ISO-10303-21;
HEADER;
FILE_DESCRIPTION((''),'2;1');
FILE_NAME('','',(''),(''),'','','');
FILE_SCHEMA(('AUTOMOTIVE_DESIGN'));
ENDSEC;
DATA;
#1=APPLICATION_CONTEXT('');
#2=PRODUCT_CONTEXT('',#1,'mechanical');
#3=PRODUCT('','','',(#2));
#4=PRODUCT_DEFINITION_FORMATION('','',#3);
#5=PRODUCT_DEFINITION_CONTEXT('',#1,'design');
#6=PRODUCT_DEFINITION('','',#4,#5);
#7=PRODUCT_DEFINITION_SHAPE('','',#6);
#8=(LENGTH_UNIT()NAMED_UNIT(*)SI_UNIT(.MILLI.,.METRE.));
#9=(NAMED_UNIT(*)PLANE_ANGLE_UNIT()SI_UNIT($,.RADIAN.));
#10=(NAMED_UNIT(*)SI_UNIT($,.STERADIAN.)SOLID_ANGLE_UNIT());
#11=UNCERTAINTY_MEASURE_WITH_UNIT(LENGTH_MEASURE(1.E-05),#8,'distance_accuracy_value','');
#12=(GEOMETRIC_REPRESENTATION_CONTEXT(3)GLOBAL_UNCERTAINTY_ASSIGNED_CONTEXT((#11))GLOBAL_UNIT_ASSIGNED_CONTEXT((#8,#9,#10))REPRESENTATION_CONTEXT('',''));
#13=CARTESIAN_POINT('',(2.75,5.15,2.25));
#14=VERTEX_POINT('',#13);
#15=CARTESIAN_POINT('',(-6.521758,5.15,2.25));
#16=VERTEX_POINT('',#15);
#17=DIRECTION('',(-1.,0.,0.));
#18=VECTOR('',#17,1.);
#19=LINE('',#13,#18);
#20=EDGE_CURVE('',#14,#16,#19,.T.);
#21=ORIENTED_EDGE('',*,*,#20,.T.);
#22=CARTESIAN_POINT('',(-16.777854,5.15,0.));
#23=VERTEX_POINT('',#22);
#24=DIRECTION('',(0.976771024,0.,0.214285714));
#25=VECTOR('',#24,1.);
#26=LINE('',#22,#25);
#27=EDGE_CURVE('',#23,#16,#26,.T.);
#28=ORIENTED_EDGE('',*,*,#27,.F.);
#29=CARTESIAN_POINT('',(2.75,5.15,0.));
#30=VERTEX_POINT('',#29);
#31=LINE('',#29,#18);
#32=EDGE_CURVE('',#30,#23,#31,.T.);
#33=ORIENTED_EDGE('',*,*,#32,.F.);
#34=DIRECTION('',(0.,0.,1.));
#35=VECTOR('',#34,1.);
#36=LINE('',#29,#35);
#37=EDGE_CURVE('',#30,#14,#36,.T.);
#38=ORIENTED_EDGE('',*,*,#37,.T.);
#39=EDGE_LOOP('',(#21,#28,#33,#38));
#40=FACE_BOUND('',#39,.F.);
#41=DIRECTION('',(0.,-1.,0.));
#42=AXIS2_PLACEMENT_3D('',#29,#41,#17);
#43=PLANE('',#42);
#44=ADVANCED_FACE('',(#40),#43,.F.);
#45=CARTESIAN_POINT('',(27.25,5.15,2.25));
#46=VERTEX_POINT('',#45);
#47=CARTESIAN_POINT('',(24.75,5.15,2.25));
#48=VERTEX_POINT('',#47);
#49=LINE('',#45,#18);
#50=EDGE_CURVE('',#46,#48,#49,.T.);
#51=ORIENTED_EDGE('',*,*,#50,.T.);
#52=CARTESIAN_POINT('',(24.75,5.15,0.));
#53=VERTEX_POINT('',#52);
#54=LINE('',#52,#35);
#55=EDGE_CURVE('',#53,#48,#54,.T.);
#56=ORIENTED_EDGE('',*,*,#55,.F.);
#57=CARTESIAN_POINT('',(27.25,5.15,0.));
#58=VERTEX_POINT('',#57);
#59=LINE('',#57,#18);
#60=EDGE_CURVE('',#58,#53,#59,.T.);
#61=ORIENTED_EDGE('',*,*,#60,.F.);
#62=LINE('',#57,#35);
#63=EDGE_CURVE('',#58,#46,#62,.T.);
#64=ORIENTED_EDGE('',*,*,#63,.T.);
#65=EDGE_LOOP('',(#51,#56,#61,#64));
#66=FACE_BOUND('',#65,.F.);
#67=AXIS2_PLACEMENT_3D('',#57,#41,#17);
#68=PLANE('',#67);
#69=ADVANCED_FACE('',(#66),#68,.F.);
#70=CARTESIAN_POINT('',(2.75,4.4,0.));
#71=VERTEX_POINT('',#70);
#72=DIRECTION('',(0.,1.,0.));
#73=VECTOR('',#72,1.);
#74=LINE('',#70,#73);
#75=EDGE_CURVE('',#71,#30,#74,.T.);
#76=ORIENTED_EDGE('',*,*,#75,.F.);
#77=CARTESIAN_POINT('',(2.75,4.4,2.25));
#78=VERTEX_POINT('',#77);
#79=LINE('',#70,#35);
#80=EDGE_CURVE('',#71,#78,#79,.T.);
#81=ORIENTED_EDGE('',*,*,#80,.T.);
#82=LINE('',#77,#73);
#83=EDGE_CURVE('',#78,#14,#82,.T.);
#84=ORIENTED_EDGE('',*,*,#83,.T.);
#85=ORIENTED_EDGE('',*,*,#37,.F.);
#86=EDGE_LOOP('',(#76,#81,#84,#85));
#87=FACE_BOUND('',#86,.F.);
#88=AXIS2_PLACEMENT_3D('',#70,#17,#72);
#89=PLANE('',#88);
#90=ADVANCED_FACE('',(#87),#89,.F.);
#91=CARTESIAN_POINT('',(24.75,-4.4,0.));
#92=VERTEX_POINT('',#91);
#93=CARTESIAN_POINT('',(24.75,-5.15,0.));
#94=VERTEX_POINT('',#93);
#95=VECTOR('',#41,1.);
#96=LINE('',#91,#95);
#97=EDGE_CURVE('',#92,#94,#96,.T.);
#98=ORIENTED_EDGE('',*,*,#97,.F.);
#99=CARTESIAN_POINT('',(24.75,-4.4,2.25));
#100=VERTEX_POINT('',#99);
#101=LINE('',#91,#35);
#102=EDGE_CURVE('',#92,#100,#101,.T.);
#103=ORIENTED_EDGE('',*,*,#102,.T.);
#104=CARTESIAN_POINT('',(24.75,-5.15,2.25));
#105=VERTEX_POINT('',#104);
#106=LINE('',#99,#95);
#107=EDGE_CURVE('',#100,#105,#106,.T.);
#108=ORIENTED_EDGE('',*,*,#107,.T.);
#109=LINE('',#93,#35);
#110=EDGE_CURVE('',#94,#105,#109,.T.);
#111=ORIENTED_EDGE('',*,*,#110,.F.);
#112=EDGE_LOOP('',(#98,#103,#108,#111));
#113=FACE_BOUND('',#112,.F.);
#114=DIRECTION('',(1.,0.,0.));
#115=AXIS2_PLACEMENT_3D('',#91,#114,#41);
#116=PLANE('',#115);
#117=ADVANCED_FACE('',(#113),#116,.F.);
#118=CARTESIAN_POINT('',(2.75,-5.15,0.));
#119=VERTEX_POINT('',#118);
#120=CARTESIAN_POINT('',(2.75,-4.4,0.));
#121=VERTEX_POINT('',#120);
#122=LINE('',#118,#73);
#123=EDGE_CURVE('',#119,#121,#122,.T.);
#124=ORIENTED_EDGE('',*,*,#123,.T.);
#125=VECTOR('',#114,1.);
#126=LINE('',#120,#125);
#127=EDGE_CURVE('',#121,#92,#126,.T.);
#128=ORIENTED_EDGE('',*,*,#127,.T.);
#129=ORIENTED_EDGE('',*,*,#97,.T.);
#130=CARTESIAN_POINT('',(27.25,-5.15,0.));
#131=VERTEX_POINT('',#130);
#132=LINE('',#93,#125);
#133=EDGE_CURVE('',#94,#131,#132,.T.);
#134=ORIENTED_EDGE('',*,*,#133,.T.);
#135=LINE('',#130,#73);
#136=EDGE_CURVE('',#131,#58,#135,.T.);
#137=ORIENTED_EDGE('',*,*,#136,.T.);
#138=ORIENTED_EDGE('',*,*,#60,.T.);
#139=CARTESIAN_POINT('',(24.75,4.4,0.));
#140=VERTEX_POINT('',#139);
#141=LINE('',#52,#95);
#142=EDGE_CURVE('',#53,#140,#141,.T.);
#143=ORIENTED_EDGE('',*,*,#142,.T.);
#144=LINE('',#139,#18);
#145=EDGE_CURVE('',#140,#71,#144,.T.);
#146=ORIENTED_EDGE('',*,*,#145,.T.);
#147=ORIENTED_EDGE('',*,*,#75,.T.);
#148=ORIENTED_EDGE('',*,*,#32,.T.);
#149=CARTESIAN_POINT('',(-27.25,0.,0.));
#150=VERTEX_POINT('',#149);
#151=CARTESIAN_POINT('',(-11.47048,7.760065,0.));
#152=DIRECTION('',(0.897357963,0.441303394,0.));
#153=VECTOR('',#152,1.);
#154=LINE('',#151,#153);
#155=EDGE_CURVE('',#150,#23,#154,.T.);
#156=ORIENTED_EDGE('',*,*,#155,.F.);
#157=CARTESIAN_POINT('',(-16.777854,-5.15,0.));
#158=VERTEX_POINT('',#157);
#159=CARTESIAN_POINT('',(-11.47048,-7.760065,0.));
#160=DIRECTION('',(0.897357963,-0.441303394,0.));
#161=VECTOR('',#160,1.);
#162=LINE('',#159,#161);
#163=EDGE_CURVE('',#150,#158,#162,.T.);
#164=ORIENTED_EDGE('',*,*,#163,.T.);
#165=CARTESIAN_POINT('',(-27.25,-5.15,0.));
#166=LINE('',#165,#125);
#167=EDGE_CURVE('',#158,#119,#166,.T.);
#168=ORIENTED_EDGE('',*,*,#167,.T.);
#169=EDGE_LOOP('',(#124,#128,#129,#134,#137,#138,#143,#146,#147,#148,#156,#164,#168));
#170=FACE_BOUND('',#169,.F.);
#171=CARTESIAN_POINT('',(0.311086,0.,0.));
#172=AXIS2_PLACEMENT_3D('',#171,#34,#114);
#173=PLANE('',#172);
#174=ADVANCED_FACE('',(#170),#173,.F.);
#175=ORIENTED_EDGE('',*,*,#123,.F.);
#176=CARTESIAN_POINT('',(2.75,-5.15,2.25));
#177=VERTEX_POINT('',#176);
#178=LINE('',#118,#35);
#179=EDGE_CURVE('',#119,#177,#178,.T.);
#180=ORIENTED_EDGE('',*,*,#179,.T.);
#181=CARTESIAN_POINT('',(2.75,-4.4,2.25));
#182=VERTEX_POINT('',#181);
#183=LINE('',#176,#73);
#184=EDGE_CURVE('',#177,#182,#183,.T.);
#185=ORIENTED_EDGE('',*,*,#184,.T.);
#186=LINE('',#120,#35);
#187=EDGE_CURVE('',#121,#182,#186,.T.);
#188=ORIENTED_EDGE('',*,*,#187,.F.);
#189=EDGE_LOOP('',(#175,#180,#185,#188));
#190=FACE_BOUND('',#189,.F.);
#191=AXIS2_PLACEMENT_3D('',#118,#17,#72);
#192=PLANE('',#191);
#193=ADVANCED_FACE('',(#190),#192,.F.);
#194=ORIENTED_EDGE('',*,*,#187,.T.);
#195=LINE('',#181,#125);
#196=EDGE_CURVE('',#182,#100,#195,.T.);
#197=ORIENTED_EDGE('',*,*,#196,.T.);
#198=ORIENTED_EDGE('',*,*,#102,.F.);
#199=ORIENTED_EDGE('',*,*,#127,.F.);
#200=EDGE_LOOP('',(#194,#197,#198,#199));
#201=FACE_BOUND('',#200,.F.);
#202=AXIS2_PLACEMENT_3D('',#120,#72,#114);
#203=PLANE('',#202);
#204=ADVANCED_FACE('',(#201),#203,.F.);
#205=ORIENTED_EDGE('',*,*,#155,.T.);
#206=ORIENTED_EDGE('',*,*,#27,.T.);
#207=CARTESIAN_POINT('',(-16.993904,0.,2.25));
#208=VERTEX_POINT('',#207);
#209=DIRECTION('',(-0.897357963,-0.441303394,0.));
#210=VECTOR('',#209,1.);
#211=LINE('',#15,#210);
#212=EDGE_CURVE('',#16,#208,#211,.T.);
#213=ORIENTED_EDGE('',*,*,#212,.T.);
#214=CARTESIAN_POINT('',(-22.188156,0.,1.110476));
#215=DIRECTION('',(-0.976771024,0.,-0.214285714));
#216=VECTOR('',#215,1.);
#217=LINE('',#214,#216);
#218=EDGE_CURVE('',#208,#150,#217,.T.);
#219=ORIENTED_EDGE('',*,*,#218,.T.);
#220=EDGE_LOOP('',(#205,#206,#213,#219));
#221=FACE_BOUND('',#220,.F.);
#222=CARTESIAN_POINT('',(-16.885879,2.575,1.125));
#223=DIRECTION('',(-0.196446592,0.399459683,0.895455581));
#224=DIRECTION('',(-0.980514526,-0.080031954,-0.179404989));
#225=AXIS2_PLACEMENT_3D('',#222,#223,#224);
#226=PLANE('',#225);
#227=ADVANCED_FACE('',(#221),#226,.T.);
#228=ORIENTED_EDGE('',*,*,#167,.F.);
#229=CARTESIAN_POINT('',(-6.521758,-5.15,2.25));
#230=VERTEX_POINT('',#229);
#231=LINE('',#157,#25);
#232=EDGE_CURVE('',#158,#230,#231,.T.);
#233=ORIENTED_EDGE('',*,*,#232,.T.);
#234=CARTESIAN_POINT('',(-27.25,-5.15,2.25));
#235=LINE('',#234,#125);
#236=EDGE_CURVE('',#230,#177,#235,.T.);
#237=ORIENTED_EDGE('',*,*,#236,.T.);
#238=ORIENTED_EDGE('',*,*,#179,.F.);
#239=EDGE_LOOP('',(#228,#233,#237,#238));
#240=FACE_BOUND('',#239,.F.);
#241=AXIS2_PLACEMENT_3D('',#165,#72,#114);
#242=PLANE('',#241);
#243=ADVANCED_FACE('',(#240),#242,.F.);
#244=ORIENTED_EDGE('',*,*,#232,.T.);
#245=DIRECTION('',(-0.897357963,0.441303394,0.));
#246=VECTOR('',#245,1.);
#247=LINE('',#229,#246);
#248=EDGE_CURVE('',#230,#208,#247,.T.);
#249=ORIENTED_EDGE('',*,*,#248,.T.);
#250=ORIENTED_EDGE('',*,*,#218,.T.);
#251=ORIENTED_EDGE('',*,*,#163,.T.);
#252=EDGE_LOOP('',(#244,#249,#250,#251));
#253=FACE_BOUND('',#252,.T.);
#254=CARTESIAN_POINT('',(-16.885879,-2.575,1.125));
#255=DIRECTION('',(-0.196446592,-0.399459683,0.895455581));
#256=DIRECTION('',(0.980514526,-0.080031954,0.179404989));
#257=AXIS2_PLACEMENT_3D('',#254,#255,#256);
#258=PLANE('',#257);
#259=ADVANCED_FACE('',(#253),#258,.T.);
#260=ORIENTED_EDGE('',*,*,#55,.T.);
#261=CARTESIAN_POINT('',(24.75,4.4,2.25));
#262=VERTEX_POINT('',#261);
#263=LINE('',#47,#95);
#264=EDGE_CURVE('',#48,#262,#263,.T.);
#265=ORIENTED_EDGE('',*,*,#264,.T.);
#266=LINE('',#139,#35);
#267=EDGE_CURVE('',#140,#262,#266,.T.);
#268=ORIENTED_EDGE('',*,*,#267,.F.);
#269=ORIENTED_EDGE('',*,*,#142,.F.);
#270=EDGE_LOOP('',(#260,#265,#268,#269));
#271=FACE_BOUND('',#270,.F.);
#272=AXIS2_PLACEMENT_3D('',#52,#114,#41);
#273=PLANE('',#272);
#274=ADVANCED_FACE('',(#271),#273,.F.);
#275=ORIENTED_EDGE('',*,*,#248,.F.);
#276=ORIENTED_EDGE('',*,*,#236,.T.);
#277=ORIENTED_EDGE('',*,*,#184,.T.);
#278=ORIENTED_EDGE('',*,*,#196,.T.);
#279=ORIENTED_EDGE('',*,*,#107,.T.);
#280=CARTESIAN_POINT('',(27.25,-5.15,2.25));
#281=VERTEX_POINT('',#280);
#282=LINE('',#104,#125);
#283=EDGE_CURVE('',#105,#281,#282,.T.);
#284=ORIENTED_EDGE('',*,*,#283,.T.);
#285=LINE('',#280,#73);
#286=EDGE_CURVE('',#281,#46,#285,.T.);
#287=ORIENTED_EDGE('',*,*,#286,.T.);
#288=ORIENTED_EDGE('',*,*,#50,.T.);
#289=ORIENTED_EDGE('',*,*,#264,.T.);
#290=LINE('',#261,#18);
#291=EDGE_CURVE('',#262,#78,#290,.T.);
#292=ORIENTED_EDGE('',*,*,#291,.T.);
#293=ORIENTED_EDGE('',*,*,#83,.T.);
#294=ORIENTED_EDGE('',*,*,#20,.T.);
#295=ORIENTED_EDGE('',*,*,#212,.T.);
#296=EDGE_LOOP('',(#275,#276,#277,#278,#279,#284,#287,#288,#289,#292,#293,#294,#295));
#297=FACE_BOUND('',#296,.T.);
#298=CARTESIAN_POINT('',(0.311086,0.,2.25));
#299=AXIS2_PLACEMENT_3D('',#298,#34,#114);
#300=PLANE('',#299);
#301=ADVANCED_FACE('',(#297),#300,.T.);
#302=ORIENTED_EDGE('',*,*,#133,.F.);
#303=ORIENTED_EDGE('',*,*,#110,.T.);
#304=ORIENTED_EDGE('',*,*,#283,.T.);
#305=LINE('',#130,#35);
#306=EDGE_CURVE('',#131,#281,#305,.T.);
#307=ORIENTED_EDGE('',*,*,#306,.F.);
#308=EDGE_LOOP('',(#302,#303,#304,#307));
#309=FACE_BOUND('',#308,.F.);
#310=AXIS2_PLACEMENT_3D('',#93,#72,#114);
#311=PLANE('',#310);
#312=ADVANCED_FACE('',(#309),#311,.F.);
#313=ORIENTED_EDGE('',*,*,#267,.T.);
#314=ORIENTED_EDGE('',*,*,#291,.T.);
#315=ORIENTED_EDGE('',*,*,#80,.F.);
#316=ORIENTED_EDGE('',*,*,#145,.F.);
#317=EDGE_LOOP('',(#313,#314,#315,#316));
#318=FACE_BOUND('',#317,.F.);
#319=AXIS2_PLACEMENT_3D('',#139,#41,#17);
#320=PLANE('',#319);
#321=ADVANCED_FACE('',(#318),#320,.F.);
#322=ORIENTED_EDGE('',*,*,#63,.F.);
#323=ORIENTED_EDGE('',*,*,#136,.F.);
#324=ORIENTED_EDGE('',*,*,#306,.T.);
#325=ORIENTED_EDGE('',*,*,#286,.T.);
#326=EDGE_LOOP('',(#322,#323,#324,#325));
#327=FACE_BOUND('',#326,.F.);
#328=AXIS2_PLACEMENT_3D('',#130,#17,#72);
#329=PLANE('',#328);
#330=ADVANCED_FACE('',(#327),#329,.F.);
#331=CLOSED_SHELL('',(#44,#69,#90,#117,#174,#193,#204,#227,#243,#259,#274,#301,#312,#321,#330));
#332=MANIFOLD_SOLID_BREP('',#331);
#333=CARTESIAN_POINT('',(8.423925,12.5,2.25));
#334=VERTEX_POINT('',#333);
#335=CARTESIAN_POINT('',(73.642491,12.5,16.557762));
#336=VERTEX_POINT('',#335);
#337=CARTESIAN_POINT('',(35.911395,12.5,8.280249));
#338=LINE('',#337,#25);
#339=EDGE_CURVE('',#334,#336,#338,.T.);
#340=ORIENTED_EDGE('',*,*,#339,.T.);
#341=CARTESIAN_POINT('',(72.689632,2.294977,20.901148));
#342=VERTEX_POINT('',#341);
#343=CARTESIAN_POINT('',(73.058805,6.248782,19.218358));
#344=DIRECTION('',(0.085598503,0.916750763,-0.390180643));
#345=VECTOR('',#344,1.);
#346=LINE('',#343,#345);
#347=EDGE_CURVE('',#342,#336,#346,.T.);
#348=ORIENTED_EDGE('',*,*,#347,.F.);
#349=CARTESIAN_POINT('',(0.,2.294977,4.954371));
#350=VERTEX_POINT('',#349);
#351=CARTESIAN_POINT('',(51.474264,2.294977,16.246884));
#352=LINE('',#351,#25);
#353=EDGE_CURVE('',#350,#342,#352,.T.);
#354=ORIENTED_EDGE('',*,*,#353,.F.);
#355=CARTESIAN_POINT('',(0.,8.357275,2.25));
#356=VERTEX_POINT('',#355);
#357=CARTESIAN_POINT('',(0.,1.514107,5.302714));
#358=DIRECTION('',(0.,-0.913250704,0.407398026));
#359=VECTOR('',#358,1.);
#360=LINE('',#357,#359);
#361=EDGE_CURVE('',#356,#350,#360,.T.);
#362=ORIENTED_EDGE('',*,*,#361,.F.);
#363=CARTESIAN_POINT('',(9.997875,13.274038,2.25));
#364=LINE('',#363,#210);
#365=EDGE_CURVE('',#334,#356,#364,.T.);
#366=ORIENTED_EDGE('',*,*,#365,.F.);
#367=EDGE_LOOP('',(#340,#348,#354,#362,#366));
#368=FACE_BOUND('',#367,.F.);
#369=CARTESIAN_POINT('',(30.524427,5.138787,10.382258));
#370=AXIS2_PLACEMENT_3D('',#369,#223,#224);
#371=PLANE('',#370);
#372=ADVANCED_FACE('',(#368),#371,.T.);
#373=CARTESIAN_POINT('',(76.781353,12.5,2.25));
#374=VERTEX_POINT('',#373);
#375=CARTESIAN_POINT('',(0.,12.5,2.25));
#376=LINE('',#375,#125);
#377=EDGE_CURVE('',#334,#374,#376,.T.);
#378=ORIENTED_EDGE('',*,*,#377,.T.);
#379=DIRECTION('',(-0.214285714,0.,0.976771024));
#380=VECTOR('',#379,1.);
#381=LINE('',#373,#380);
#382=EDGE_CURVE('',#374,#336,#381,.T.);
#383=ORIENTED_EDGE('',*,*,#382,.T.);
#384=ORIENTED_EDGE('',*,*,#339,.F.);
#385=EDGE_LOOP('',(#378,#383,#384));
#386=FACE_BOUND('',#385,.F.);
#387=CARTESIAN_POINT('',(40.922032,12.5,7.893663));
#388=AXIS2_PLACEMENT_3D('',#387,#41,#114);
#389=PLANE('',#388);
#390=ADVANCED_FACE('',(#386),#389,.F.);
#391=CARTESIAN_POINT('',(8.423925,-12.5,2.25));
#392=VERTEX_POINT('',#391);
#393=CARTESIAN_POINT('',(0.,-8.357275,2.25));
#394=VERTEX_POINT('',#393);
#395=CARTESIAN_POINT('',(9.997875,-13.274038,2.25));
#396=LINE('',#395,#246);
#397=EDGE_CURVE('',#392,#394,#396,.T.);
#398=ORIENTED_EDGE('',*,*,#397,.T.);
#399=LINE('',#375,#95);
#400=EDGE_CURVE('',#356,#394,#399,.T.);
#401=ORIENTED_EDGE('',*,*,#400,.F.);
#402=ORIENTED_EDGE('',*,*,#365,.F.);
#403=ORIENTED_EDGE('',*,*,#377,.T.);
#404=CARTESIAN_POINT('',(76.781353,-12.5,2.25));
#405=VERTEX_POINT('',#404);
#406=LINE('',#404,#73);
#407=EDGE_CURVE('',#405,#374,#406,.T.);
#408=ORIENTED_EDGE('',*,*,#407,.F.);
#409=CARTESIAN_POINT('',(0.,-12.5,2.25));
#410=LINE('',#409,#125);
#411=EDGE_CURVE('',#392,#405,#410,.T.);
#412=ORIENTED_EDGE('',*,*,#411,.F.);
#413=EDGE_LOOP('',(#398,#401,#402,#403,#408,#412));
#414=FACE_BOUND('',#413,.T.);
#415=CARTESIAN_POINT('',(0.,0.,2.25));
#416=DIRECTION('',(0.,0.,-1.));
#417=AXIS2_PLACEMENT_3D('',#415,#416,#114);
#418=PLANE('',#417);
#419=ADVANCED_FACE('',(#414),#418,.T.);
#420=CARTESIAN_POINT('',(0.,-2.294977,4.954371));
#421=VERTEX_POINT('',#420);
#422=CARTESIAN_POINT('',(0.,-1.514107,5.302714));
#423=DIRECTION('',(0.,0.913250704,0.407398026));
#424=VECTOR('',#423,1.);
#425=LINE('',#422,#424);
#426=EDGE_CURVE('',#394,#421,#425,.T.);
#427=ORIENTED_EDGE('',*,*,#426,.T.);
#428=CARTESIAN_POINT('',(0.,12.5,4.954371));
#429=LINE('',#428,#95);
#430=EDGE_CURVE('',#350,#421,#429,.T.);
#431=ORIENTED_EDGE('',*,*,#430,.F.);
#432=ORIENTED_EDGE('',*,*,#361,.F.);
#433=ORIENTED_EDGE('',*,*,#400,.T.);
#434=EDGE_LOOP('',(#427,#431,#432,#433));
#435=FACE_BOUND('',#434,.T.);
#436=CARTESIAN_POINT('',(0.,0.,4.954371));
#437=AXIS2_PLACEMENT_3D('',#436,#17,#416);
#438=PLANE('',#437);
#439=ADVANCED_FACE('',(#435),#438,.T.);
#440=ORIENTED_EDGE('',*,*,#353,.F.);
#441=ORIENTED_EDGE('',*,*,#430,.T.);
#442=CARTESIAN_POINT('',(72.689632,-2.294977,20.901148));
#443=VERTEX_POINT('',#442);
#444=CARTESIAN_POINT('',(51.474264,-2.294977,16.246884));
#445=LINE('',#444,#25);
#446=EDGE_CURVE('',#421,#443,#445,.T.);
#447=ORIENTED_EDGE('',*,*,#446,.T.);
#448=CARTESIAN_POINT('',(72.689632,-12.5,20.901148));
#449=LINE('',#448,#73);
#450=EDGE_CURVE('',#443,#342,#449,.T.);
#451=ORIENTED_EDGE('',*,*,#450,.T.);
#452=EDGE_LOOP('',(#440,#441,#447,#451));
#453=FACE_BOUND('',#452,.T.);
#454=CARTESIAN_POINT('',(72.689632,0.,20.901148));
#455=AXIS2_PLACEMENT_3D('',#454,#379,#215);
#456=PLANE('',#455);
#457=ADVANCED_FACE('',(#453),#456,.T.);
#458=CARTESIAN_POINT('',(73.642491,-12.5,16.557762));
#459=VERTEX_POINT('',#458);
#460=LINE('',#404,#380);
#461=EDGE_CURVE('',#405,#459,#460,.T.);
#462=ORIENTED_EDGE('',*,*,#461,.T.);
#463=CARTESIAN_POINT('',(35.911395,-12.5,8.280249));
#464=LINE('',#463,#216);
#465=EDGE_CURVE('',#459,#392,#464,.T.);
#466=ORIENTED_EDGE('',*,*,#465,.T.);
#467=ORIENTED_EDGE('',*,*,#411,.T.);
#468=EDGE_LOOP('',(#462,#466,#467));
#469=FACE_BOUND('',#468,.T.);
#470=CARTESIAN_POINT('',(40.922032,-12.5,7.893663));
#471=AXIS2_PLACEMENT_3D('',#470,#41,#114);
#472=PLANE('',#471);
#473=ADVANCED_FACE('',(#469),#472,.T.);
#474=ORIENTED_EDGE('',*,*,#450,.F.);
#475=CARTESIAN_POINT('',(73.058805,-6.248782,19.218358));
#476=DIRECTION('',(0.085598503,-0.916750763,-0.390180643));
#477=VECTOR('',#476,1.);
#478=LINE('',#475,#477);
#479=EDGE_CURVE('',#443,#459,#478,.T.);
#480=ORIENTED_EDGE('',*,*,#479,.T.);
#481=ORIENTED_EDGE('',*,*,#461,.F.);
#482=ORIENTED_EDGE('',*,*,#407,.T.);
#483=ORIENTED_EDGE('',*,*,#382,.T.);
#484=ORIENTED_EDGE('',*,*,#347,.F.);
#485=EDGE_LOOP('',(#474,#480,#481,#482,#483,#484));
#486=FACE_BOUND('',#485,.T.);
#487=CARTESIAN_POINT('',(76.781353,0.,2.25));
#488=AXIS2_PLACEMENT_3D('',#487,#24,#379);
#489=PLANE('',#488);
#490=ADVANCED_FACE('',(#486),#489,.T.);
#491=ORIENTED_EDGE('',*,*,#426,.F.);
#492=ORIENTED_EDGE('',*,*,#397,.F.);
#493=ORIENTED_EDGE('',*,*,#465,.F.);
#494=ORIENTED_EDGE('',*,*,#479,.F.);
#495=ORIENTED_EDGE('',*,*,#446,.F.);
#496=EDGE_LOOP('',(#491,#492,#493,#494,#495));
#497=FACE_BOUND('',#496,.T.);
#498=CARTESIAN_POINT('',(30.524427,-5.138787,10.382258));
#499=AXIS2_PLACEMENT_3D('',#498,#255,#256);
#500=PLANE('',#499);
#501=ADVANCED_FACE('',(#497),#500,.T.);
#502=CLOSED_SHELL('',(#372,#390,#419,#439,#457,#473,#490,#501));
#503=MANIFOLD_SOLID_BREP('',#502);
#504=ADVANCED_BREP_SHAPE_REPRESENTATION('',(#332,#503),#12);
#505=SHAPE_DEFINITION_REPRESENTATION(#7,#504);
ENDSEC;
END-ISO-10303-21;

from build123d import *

# Parameters (mm, degrees)
F1_DEPTH  = 2.25
F3_DEPTH  = 12.5
F7_DEPTH  = 25
F11_DEPTH = 12.5
F13_DEPTH = 25


with BuildPart() as f1:
    # F0 (on Top) → F1 (new body)
    with BuildSketch(Plane.XY):
        Polygon((24.75, -5.15), (27.25, -5.15), (27.25, 5.15), (24.75, 5.15), (24.75, 4.4), (2.75, 4.4), (2.75, 5.15), (-27.25, 5.15), (-27.25, -5.15), (2.75, -5.15), (2.75, -4.4), (24.75, -4.4), align=None)
    extrude(amount=F1_DEPTH)

    # F2 (on Front) → F3 (cut, symmetric)
    with BuildSketch(Plane.XZ):
        Polygon((-27.25, 0), (-16.9939042516, 2.25), (-27.25, 2.25), align=None)
    extrude(amount=F3_DEPTH, both=True, mode=Mode.SUBTRACT)


with BuildPart() as f7:
    # F6 (on 3pt) → F7 (new body)
    with BuildSketch(Plane(origin=(-1.051611932, -2.1383754437, 4.7935256286), x_dir=(0.9805145264, -0.0800319539, 0.1794049886), z_dir=(-0.1964465921, -0.3994596826, 0.8954555815))):
        Polygon((-16.2591087544, 0.9166455588), (-26.7190208438, 0), (-16.0387651474, -4.7032411254), (-5.578853058, -3.7865955666), align=None)
        Polygon((-37.5846625228, 4.78487915), (-26.7190208438, 0), (-16.2591087544, 0.9166455588), (-27.1247504333, 5.7015247088), align=None)
        Polygon((-16.0387651474, -4.7032411254), (-26.7190208438, 0), (-37.5846625228, 4.78487915), (-43.2418280355, -7.0871585589), align=None)
    extrude(amount=F7_DEPTH)


with BuildPart() as f8_1:
    # F8: instance of F7
    add(f7.part.mirror(Plane.XZ))


with BuildPart() as f1_1:
    add(f1.part)

    # F9: cut F7, F8_1
    add(f7.part, mode=Mode.SUBTRACT)
    add(f8_1.part, mode=Mode.SUBTRACT)


with BuildPart() as f11:
    # F10 (on Front) → F11 (new body, symmetric)
    with BuildSketch(Plane.XZ):
        Polygon((72.689631743, 20.9011476375), (0, 4.9543706735), (0, 2.25), (76.7813527267, 2.25), align=None)
    extrude(amount=F11_DEPTH, both=True)


with BuildPart() as f13:
    # F12 (on face) → F13 (new body)
    with BuildSketch(Plane(origin=(-1.051611932, -2.1383754437, 4.7935256286), x_dir=(0.9805145264, -0.0800319539, 0.1794049886), z_dir=(-0.1964465921, -0.3994596826, 0.8954555815))):
        Polygon((-26.7190208438, 0), (-16.2591087544, 0.9166455588), (-5.578853058, -3.7865955666), (-16.0387651474, -4.7032411254), (83.7536636937, -48.6486174044), (103.4110658877, -4.0100211344), (-14.3110548824, 47.8310148406), (-33.9684570764, 3.1924185707), align=None)
    extrude(amount=F13_DEPTH)


with BuildPart() as f14_1:
    # F14: instance of F13
    add(f13.part.mirror(Plane.XZ))


with BuildPart() as f11_1:
    add(f11.part)

    # F15: cut F14_1, F13
    add(f14_1.part, mode=Mode.SUBTRACT)
    add(f13.part, mode=Mode.SUBTRACT)


solid = Compound([f1_1.part, f11_1.part])
